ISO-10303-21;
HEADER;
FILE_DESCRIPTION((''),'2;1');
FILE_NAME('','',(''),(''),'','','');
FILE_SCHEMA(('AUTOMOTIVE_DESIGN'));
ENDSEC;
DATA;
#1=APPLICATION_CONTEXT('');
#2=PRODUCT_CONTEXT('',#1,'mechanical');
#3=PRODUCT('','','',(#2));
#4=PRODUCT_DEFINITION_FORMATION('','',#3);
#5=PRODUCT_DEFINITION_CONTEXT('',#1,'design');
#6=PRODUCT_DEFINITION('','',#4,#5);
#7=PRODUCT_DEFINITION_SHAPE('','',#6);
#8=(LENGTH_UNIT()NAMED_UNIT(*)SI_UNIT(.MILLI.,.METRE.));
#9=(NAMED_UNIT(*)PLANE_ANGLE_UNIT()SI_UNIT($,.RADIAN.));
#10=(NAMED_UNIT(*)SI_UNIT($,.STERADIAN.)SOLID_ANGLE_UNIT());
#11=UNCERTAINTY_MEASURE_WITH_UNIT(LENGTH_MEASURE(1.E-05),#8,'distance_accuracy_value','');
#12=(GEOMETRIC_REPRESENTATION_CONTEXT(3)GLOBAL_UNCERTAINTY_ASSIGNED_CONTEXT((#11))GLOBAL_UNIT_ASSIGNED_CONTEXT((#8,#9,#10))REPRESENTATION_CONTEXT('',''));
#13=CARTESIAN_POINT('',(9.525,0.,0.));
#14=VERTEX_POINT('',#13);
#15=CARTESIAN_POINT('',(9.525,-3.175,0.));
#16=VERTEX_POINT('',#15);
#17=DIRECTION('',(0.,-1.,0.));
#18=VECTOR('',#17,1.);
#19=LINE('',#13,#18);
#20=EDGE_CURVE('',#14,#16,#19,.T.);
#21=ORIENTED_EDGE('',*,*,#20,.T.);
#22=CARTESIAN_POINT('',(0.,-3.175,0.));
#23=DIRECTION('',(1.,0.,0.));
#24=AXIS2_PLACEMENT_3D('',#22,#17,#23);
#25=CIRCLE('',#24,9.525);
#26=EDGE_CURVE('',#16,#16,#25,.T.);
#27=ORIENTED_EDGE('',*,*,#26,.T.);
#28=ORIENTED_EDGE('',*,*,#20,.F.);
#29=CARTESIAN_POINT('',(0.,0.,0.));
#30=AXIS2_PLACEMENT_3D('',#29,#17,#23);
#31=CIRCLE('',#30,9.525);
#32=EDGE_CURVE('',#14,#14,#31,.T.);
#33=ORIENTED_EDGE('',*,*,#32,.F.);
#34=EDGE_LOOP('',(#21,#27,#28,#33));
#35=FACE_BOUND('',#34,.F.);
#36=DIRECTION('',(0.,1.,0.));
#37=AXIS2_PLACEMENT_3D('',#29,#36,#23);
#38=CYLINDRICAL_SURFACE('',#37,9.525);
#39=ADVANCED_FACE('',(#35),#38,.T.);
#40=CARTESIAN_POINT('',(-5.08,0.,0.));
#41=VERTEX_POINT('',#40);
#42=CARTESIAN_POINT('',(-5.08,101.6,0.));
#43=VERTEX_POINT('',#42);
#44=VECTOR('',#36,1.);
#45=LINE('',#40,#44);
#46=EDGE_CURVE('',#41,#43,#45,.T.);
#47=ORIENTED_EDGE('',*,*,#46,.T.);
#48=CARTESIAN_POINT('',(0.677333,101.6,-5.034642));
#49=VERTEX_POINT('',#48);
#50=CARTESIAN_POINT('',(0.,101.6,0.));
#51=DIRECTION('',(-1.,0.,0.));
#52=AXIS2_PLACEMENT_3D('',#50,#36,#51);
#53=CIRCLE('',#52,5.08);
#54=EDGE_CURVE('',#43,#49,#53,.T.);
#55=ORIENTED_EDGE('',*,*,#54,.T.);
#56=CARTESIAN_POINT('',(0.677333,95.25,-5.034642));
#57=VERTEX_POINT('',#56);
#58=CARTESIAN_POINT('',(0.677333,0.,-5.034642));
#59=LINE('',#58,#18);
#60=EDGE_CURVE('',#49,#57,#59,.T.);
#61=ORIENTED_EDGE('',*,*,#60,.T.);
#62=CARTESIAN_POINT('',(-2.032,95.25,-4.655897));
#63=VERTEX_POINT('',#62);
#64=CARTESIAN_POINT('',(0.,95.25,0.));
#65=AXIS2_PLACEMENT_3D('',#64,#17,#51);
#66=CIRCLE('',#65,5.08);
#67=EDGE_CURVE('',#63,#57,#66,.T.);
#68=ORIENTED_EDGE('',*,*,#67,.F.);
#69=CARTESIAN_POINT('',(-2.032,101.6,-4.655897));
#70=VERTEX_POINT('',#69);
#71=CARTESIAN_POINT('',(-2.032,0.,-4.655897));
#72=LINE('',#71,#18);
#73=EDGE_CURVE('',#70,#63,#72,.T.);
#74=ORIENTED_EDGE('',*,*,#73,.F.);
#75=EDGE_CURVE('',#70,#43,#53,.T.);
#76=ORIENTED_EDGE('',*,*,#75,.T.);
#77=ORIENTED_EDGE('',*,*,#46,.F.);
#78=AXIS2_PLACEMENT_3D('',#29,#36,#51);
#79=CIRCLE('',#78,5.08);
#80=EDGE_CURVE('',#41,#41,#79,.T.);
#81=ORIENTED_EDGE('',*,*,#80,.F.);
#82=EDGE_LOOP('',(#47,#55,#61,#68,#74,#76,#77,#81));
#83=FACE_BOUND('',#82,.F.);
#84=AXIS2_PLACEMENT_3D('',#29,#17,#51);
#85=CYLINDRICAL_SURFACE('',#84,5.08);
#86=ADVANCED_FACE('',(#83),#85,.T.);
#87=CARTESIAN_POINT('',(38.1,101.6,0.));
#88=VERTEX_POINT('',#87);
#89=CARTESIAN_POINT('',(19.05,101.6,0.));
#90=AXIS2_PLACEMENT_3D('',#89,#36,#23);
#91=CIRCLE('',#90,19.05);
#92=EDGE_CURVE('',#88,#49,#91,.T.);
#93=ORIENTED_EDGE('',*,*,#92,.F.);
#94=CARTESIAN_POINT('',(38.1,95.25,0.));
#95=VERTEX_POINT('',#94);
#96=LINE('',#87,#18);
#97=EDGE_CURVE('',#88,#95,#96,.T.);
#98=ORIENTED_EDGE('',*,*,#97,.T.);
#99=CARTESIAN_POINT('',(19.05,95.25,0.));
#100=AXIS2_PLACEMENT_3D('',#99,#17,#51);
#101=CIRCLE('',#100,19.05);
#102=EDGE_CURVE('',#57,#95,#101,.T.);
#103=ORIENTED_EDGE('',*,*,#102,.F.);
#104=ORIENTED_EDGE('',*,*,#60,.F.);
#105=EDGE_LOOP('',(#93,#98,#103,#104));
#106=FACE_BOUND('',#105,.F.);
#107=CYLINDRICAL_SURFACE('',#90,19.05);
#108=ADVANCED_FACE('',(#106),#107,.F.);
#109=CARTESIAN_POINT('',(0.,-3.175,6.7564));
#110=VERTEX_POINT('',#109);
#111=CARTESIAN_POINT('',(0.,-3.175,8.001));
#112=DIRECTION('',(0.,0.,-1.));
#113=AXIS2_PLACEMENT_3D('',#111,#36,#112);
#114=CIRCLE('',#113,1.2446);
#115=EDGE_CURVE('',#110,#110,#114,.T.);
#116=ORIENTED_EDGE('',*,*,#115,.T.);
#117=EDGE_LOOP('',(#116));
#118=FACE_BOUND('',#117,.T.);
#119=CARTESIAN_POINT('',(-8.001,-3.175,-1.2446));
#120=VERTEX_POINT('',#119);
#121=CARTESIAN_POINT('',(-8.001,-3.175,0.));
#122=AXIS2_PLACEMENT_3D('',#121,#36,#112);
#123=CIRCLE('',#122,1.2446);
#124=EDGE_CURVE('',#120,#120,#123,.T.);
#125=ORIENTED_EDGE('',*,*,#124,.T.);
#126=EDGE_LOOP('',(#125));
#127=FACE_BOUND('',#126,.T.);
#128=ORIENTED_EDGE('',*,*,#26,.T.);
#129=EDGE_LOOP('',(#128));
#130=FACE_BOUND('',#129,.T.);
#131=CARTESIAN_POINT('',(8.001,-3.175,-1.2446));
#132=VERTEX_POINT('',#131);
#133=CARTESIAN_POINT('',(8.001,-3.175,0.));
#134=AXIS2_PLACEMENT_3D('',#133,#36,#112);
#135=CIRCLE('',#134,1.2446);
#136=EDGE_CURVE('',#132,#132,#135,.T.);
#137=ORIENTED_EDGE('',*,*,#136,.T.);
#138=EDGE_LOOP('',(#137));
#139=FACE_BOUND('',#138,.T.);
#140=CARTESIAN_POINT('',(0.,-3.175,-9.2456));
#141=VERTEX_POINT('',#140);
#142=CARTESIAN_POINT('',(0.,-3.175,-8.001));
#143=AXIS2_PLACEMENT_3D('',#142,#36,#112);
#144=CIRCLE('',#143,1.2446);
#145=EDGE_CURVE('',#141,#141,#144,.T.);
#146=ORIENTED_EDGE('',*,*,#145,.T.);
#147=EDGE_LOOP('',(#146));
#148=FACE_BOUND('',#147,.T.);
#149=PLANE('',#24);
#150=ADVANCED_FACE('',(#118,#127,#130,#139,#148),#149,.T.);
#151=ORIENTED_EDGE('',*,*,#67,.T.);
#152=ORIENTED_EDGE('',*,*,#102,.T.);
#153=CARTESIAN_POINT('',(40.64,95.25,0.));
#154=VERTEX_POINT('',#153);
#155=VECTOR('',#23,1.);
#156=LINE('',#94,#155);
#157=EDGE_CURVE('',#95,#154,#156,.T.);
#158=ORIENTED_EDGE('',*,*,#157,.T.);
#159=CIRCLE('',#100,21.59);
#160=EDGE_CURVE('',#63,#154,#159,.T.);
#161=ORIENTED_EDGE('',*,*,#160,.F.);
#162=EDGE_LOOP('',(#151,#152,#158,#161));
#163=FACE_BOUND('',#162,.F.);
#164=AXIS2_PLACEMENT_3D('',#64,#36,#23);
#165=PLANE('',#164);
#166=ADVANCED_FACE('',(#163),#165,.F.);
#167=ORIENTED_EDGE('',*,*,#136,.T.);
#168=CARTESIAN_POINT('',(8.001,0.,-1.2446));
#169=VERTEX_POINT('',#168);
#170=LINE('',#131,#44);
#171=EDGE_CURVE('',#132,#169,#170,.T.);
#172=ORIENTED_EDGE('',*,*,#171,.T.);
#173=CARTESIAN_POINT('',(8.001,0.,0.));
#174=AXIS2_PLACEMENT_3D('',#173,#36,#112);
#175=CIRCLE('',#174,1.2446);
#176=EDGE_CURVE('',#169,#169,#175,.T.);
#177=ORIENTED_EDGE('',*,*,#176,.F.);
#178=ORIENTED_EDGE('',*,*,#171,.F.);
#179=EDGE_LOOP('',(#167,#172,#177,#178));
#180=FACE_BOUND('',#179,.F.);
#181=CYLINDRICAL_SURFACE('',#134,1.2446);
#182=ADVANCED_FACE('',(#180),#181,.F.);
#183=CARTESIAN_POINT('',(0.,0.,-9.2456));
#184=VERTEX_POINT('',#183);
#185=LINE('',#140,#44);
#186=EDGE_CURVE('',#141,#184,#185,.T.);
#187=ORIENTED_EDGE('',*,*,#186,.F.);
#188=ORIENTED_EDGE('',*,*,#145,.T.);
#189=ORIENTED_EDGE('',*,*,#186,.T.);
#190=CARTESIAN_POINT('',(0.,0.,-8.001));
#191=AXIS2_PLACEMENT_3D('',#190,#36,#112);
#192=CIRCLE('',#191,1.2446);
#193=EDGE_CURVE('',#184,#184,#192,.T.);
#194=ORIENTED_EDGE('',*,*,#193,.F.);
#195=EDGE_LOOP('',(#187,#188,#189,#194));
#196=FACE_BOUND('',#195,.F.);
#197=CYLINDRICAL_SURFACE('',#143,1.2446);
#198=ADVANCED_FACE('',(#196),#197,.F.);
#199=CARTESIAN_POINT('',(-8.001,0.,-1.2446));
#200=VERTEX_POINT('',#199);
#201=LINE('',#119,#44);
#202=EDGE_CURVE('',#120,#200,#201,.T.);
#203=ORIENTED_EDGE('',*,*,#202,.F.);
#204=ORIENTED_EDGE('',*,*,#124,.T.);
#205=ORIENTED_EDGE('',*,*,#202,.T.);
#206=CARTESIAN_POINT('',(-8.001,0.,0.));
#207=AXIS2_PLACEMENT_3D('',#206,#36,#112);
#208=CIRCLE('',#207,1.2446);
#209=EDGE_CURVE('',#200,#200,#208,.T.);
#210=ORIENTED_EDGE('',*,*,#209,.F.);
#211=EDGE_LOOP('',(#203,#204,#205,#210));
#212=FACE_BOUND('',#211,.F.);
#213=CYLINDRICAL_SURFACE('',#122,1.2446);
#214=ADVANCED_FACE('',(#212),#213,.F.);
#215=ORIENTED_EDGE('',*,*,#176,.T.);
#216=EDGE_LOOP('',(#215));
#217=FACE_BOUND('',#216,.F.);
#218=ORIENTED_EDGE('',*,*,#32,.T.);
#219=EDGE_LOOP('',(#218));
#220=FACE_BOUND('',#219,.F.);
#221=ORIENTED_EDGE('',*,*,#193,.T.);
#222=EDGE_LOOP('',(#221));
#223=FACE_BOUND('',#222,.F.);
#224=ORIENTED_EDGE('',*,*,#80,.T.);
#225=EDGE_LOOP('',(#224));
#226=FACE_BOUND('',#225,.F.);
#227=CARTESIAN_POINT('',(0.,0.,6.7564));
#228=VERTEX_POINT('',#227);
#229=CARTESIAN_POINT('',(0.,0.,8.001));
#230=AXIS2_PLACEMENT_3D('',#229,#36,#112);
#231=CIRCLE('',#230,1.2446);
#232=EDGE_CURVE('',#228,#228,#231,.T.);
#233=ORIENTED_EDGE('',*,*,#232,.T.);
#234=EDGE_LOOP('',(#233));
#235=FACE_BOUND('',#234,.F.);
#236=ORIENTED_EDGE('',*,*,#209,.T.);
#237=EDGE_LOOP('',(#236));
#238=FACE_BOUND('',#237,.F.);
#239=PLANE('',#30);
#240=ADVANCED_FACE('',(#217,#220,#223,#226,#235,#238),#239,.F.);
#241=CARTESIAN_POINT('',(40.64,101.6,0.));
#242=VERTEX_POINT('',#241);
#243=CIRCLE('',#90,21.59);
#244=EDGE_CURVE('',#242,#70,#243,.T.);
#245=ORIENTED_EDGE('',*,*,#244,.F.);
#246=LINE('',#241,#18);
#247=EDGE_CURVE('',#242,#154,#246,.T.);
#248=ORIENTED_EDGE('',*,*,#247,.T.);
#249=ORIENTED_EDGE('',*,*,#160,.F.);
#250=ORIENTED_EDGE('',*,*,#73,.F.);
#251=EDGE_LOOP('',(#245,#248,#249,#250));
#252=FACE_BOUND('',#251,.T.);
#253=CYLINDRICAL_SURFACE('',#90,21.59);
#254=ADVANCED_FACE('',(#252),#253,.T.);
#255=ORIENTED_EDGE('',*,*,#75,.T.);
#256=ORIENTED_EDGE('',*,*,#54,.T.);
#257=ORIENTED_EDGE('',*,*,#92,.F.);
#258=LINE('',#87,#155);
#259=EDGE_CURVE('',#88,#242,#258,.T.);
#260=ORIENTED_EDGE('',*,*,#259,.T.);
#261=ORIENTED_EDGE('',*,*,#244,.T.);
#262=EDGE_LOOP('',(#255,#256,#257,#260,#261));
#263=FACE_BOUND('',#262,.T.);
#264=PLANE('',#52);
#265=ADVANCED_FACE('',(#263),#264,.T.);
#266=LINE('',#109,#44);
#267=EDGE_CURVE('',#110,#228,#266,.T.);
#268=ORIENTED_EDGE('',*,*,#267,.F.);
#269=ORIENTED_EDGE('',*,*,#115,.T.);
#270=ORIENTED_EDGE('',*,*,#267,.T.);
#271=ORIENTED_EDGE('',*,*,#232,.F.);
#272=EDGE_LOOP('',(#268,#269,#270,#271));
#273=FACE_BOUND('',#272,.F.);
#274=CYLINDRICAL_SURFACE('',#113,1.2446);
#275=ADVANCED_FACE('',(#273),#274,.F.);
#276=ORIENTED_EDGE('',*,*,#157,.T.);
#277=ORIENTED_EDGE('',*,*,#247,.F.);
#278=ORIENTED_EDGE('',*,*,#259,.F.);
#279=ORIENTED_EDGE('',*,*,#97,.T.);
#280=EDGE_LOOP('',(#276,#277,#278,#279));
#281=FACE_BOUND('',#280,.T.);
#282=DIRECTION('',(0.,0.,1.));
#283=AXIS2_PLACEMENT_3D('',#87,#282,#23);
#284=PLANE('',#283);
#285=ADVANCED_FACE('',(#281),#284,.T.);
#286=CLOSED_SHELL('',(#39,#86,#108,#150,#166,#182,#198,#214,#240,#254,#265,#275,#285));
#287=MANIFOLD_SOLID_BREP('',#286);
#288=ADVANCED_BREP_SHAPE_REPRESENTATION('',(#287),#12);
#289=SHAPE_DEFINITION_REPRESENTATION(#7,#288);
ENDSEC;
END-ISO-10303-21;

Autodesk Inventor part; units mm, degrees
ref_plane "YZ Plane" through (0, 0, 0) normal (1, 0, 0) x (0, 1, 0)
ref_plane "XZ Plane" through (0, 0, 0) normal (0, 1, 0) x (-1, 0, 0)
ref_plane "XY Plane" through (0, 0, 0) normal (0, 0, 1) x (1, 0, 0)
sketch "Sketch1" plane through (0, 0, 0) normal (0, 1, 0) x (-1, 0, 0)
  circle A0 centre (0, 0) radius 5.08
  dimension "d0" = 10.16
extrude "Extrusion1" add sketch "Sketch1" along normal blind 101.6
sketch "Sketch2" plane through (0, 101.6, 0) normal (0, 1, 0) x (1, 0, 0)
  circle A0 centre (0, 0) radius 5.08 projected
  line L0 (0, 0) -> (-2.54, 0)
  line L1 (38.1, 0) -> (40.64, 0)
  arc A1 (38.1, 0) -> (0, 0) centre (19.05, 0) ccw
  arc A2 (40.64, 0) -> (-2.54, 0) centre (19.05, 0) ccw
  line L2 (38.1, 0) -> (40.64, 0) construction
  line L3 (5.08, 0) -> (-2.54, 0) construction
  line L4 (-2.54, 0) -> (5.08, 0)
  line L5 (38.1, 0) -> (40.64, 0)
  dimension "d64" = 2.54
  dimension "d65" = 2.54
  dimension "d66" = 38.1
  dimension "d67" = 19.05
  dimension "d68" = 180
  dimension "d69" = 21.59
extrude "Extrusion5" add sketch "Sketch2" against normal blind 6.35 contours A1 L0 A2 A0 | A0 A2 L1 A1
sketch "Sketch4" plane through (0, 0, 0) normal (0, -1, 0) x (1, 0, 0)
  circle A0 centre (0, 0) radius 9.525
  dimension "d72" = 19.05
extrude "Extrusion6" add sketch "Sketch4" along normal blind 3.175
sketch "Sketch5" plane through (0, -3.175, 0) normal (0, -1, 0) x (1, 0, 0)
  point P0 (0, 0)
  point P1 (0, 8.001)
  point P2 (0, -8.001)
  point P3 (8.001, 0)
  point P4 (-8.001, 0)
  dimension "d79" = 8.001
  dimension "d80" = 8.001
  dimension "d81" = 8.001
  dimension "d82" = 8.001
hole "Hole1" at (0, -3.175, 8.001) at (0, -3.175, -8.001) at (8.001, -3.175, 0) at (-8.001, -3.175, 0) direction (0, 1, 0) diameter 2.4892 depth 25.4 tip angle 118
ref_plane "Work Plane6" through (0, 66.675, 0) normal (0, 1, 0) x (1, 0, 0)
sketch "Sketch6" plane through (0, 66.675, 0) normal (0, 1, 0) x (1, 0, 0)
  line L0 (0, 0) -> (1.27, 0)
  line L1 (1.27, 0) -> (-1.27, 0)
  arc A0 (38.1, 0) -> (0.6773, 5.0346) centre (19.05, 0) ccw projected
  arc A1 (1.27, 0) -> (36.83, 0) centre (19.05, 0) ccw
  arc A2 (-1.27, 0) -> (39.37, 0) centre (19.05, 0) ccw
  line L2 (39.37, 0) -> (36.83, 0)
  line L3 (1.27, 0) -> (-1.27, 0)
  dimension "d91" = 1.27
  dimension "d92" = 2.54
equation "\"d67\" = 0.5 * d66"
equation "\"d80\" = d79"
equation "\"d81\" = d79"
equation "\"d82\" = d79"
properties part number "pincherleft"
